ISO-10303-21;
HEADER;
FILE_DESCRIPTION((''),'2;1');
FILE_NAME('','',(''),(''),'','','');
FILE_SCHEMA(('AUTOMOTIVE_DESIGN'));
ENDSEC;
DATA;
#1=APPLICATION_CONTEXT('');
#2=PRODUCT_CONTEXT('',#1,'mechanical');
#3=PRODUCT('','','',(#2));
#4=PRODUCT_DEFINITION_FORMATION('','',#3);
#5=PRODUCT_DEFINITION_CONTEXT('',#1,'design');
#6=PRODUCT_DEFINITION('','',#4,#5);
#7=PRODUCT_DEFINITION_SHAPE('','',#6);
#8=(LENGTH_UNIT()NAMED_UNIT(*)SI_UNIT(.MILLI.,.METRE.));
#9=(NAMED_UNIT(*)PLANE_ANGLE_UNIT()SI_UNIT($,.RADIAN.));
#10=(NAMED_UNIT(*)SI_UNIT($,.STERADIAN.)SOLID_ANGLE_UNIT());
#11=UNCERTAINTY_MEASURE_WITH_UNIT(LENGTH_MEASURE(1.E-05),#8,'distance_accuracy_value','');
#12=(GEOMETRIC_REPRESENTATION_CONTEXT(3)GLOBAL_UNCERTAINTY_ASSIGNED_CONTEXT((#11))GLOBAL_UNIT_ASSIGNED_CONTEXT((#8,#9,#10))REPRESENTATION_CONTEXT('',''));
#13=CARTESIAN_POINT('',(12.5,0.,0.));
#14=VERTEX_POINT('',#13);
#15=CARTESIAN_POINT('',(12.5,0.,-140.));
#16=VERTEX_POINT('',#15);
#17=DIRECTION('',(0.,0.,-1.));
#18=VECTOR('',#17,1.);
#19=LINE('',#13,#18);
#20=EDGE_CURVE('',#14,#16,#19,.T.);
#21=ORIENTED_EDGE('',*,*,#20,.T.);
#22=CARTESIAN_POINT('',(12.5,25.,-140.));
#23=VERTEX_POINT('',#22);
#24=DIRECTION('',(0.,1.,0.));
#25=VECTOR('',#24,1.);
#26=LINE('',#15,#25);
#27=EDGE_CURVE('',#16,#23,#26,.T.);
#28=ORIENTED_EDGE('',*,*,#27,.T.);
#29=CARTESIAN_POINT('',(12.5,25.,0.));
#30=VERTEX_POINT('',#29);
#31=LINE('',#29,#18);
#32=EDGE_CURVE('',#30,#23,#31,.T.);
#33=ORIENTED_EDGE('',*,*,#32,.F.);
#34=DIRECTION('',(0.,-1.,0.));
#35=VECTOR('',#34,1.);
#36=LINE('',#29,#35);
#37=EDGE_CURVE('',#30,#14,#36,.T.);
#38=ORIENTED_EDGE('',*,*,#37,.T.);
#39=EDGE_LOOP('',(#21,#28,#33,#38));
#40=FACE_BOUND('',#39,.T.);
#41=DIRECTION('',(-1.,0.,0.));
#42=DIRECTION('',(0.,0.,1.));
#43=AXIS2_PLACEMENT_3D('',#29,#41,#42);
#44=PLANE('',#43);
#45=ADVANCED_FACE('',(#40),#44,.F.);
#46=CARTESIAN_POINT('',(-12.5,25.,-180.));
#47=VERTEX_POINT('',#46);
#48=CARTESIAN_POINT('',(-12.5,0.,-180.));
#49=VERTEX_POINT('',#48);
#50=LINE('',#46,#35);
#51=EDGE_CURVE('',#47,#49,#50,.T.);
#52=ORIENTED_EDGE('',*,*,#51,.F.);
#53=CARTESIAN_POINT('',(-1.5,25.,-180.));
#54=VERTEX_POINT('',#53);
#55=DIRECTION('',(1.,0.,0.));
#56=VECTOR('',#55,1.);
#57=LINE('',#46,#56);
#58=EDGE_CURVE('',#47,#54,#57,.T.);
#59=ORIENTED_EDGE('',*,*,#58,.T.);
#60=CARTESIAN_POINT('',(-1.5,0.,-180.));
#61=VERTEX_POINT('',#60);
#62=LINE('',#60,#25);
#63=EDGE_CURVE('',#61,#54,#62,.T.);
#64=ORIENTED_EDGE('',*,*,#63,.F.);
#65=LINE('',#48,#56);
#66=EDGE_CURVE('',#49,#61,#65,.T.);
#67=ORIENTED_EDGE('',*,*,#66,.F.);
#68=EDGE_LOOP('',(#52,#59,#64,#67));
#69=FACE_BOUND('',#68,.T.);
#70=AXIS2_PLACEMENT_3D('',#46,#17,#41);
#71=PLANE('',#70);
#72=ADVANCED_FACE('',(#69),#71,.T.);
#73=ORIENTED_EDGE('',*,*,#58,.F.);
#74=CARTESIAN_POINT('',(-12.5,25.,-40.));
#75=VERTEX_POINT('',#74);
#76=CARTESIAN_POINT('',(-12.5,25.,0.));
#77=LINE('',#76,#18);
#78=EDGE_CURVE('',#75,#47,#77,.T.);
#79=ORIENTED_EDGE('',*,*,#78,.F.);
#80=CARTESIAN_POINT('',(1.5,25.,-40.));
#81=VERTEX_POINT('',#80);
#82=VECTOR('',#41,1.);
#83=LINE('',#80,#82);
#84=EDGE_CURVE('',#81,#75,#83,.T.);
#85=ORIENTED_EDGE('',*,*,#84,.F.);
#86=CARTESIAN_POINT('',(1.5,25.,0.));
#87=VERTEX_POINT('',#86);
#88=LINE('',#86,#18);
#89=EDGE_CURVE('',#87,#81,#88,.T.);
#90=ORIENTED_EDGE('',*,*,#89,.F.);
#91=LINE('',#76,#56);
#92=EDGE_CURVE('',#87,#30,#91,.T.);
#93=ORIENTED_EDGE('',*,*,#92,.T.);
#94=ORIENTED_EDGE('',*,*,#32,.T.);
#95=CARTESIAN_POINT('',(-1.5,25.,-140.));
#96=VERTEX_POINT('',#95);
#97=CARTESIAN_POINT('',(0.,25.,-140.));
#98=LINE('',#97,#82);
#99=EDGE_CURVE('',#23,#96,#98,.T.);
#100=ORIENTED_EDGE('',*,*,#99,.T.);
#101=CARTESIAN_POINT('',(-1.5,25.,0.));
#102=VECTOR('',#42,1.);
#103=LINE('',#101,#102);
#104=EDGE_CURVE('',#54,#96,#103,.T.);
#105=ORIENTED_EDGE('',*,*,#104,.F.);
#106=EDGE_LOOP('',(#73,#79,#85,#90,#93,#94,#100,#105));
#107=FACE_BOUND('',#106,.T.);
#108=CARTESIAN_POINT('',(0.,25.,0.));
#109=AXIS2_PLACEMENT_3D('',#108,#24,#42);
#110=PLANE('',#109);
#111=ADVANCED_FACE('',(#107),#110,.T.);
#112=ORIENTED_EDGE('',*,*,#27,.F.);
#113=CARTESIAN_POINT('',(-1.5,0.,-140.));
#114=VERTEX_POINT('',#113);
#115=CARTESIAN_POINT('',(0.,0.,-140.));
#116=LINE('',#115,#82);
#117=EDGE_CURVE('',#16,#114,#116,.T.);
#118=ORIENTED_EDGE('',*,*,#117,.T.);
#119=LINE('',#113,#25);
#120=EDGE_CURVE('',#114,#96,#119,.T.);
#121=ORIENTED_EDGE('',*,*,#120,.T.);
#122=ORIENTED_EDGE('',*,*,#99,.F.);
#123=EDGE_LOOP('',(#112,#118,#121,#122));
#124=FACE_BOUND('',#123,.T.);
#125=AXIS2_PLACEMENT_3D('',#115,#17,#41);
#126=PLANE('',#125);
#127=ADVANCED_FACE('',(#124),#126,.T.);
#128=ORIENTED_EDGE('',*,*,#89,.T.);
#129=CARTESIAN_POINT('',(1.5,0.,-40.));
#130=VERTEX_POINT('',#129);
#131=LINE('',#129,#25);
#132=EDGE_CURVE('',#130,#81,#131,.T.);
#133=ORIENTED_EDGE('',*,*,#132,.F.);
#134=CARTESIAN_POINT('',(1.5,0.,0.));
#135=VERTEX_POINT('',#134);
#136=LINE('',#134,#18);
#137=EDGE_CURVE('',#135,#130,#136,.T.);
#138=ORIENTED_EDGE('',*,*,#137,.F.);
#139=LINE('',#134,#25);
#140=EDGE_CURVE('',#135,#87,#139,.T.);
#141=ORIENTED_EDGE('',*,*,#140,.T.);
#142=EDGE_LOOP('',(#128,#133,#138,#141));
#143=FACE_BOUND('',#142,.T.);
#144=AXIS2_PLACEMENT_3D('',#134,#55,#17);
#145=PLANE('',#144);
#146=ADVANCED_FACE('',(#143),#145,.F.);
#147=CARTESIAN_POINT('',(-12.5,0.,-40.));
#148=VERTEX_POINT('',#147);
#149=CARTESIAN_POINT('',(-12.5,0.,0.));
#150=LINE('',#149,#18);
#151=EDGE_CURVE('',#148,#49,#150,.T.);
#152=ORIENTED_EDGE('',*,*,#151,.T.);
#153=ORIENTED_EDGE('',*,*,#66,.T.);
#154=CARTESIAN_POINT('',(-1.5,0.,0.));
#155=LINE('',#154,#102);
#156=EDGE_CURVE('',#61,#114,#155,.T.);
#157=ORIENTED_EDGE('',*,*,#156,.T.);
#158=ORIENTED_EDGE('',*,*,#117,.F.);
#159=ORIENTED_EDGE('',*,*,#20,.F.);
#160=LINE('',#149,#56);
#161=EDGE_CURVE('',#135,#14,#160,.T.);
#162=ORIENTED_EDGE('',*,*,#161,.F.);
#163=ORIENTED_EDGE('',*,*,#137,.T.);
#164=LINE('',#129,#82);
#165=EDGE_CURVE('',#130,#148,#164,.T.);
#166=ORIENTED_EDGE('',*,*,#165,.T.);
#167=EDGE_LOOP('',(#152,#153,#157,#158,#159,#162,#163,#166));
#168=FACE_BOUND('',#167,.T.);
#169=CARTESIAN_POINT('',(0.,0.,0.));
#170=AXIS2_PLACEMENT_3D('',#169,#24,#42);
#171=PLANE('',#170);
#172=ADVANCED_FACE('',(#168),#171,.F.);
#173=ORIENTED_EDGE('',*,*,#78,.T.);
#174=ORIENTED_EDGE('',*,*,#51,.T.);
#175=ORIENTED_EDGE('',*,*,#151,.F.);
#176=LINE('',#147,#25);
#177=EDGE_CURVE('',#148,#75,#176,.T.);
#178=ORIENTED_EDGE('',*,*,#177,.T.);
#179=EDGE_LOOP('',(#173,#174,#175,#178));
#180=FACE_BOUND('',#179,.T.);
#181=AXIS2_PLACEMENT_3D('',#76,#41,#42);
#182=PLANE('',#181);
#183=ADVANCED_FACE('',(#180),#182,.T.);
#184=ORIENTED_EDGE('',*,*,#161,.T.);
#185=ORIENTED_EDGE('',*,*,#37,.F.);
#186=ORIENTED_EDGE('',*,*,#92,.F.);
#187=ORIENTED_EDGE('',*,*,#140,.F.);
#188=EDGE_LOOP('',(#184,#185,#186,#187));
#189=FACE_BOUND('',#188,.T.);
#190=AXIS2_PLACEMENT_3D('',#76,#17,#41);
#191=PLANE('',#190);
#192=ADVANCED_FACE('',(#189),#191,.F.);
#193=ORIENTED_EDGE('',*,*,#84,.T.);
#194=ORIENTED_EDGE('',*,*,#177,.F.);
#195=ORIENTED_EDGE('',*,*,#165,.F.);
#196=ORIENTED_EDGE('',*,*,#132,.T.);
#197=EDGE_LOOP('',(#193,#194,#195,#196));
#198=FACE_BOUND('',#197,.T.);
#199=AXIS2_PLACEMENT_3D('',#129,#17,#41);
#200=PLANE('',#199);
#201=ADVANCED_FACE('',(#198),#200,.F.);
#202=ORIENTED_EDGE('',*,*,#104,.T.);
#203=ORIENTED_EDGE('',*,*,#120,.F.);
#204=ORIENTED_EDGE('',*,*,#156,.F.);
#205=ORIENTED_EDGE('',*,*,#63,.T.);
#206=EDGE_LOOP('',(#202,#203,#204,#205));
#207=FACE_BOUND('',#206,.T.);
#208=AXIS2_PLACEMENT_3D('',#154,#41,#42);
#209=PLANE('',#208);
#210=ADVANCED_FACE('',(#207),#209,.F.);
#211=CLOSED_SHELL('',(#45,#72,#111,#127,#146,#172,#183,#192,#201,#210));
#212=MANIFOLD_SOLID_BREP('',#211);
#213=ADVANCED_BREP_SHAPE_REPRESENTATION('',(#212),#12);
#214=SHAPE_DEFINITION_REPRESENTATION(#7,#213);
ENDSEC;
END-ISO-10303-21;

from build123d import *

# Parameters (mm, degrees)
SKETCH3_W           = 25
SKETCH3_H           = 180
BOSS_EXTRUDE1_DEPTH = 25
SKETCH4_W           = 14
SKETCH4_H           = 40
CUT_EXTRUDE1_DEPTH  = 183.157212319


with BuildPart() as part:
    # Sketch3 → Boss-Extrude1 (new body)
    with BuildSketch(Plane(origin=(0, 0, 0), x_dir=(1, 0, 0), z_dir=(0, 1, 0))):
        with Locations((0, 90)):
            Rectangle(SKETCH3_W, SKETCH3_H)
    extrude(amount=BOSS_EXTRUDE1_DEPTH)

    # Sketch4 → Cut-Extrude1 (cut, through all)
    with BuildSketch(Plane(origin=(0, 25, 0), x_dir=(1, 0, 0), z_dir=(0, 1, 0))):
        with Locations((5.5, 160)):
            Rectangle(SKETCH4_W, SKETCH4_H)
        with Locations((-5.5, 20)):
            Rectangle(SKETCH4_W, SKETCH4_H)
    extrude(amount=-CUT_EXTRUDE1_DEPTH, mode=Mode.SUBTRACT)


solid = part.part
